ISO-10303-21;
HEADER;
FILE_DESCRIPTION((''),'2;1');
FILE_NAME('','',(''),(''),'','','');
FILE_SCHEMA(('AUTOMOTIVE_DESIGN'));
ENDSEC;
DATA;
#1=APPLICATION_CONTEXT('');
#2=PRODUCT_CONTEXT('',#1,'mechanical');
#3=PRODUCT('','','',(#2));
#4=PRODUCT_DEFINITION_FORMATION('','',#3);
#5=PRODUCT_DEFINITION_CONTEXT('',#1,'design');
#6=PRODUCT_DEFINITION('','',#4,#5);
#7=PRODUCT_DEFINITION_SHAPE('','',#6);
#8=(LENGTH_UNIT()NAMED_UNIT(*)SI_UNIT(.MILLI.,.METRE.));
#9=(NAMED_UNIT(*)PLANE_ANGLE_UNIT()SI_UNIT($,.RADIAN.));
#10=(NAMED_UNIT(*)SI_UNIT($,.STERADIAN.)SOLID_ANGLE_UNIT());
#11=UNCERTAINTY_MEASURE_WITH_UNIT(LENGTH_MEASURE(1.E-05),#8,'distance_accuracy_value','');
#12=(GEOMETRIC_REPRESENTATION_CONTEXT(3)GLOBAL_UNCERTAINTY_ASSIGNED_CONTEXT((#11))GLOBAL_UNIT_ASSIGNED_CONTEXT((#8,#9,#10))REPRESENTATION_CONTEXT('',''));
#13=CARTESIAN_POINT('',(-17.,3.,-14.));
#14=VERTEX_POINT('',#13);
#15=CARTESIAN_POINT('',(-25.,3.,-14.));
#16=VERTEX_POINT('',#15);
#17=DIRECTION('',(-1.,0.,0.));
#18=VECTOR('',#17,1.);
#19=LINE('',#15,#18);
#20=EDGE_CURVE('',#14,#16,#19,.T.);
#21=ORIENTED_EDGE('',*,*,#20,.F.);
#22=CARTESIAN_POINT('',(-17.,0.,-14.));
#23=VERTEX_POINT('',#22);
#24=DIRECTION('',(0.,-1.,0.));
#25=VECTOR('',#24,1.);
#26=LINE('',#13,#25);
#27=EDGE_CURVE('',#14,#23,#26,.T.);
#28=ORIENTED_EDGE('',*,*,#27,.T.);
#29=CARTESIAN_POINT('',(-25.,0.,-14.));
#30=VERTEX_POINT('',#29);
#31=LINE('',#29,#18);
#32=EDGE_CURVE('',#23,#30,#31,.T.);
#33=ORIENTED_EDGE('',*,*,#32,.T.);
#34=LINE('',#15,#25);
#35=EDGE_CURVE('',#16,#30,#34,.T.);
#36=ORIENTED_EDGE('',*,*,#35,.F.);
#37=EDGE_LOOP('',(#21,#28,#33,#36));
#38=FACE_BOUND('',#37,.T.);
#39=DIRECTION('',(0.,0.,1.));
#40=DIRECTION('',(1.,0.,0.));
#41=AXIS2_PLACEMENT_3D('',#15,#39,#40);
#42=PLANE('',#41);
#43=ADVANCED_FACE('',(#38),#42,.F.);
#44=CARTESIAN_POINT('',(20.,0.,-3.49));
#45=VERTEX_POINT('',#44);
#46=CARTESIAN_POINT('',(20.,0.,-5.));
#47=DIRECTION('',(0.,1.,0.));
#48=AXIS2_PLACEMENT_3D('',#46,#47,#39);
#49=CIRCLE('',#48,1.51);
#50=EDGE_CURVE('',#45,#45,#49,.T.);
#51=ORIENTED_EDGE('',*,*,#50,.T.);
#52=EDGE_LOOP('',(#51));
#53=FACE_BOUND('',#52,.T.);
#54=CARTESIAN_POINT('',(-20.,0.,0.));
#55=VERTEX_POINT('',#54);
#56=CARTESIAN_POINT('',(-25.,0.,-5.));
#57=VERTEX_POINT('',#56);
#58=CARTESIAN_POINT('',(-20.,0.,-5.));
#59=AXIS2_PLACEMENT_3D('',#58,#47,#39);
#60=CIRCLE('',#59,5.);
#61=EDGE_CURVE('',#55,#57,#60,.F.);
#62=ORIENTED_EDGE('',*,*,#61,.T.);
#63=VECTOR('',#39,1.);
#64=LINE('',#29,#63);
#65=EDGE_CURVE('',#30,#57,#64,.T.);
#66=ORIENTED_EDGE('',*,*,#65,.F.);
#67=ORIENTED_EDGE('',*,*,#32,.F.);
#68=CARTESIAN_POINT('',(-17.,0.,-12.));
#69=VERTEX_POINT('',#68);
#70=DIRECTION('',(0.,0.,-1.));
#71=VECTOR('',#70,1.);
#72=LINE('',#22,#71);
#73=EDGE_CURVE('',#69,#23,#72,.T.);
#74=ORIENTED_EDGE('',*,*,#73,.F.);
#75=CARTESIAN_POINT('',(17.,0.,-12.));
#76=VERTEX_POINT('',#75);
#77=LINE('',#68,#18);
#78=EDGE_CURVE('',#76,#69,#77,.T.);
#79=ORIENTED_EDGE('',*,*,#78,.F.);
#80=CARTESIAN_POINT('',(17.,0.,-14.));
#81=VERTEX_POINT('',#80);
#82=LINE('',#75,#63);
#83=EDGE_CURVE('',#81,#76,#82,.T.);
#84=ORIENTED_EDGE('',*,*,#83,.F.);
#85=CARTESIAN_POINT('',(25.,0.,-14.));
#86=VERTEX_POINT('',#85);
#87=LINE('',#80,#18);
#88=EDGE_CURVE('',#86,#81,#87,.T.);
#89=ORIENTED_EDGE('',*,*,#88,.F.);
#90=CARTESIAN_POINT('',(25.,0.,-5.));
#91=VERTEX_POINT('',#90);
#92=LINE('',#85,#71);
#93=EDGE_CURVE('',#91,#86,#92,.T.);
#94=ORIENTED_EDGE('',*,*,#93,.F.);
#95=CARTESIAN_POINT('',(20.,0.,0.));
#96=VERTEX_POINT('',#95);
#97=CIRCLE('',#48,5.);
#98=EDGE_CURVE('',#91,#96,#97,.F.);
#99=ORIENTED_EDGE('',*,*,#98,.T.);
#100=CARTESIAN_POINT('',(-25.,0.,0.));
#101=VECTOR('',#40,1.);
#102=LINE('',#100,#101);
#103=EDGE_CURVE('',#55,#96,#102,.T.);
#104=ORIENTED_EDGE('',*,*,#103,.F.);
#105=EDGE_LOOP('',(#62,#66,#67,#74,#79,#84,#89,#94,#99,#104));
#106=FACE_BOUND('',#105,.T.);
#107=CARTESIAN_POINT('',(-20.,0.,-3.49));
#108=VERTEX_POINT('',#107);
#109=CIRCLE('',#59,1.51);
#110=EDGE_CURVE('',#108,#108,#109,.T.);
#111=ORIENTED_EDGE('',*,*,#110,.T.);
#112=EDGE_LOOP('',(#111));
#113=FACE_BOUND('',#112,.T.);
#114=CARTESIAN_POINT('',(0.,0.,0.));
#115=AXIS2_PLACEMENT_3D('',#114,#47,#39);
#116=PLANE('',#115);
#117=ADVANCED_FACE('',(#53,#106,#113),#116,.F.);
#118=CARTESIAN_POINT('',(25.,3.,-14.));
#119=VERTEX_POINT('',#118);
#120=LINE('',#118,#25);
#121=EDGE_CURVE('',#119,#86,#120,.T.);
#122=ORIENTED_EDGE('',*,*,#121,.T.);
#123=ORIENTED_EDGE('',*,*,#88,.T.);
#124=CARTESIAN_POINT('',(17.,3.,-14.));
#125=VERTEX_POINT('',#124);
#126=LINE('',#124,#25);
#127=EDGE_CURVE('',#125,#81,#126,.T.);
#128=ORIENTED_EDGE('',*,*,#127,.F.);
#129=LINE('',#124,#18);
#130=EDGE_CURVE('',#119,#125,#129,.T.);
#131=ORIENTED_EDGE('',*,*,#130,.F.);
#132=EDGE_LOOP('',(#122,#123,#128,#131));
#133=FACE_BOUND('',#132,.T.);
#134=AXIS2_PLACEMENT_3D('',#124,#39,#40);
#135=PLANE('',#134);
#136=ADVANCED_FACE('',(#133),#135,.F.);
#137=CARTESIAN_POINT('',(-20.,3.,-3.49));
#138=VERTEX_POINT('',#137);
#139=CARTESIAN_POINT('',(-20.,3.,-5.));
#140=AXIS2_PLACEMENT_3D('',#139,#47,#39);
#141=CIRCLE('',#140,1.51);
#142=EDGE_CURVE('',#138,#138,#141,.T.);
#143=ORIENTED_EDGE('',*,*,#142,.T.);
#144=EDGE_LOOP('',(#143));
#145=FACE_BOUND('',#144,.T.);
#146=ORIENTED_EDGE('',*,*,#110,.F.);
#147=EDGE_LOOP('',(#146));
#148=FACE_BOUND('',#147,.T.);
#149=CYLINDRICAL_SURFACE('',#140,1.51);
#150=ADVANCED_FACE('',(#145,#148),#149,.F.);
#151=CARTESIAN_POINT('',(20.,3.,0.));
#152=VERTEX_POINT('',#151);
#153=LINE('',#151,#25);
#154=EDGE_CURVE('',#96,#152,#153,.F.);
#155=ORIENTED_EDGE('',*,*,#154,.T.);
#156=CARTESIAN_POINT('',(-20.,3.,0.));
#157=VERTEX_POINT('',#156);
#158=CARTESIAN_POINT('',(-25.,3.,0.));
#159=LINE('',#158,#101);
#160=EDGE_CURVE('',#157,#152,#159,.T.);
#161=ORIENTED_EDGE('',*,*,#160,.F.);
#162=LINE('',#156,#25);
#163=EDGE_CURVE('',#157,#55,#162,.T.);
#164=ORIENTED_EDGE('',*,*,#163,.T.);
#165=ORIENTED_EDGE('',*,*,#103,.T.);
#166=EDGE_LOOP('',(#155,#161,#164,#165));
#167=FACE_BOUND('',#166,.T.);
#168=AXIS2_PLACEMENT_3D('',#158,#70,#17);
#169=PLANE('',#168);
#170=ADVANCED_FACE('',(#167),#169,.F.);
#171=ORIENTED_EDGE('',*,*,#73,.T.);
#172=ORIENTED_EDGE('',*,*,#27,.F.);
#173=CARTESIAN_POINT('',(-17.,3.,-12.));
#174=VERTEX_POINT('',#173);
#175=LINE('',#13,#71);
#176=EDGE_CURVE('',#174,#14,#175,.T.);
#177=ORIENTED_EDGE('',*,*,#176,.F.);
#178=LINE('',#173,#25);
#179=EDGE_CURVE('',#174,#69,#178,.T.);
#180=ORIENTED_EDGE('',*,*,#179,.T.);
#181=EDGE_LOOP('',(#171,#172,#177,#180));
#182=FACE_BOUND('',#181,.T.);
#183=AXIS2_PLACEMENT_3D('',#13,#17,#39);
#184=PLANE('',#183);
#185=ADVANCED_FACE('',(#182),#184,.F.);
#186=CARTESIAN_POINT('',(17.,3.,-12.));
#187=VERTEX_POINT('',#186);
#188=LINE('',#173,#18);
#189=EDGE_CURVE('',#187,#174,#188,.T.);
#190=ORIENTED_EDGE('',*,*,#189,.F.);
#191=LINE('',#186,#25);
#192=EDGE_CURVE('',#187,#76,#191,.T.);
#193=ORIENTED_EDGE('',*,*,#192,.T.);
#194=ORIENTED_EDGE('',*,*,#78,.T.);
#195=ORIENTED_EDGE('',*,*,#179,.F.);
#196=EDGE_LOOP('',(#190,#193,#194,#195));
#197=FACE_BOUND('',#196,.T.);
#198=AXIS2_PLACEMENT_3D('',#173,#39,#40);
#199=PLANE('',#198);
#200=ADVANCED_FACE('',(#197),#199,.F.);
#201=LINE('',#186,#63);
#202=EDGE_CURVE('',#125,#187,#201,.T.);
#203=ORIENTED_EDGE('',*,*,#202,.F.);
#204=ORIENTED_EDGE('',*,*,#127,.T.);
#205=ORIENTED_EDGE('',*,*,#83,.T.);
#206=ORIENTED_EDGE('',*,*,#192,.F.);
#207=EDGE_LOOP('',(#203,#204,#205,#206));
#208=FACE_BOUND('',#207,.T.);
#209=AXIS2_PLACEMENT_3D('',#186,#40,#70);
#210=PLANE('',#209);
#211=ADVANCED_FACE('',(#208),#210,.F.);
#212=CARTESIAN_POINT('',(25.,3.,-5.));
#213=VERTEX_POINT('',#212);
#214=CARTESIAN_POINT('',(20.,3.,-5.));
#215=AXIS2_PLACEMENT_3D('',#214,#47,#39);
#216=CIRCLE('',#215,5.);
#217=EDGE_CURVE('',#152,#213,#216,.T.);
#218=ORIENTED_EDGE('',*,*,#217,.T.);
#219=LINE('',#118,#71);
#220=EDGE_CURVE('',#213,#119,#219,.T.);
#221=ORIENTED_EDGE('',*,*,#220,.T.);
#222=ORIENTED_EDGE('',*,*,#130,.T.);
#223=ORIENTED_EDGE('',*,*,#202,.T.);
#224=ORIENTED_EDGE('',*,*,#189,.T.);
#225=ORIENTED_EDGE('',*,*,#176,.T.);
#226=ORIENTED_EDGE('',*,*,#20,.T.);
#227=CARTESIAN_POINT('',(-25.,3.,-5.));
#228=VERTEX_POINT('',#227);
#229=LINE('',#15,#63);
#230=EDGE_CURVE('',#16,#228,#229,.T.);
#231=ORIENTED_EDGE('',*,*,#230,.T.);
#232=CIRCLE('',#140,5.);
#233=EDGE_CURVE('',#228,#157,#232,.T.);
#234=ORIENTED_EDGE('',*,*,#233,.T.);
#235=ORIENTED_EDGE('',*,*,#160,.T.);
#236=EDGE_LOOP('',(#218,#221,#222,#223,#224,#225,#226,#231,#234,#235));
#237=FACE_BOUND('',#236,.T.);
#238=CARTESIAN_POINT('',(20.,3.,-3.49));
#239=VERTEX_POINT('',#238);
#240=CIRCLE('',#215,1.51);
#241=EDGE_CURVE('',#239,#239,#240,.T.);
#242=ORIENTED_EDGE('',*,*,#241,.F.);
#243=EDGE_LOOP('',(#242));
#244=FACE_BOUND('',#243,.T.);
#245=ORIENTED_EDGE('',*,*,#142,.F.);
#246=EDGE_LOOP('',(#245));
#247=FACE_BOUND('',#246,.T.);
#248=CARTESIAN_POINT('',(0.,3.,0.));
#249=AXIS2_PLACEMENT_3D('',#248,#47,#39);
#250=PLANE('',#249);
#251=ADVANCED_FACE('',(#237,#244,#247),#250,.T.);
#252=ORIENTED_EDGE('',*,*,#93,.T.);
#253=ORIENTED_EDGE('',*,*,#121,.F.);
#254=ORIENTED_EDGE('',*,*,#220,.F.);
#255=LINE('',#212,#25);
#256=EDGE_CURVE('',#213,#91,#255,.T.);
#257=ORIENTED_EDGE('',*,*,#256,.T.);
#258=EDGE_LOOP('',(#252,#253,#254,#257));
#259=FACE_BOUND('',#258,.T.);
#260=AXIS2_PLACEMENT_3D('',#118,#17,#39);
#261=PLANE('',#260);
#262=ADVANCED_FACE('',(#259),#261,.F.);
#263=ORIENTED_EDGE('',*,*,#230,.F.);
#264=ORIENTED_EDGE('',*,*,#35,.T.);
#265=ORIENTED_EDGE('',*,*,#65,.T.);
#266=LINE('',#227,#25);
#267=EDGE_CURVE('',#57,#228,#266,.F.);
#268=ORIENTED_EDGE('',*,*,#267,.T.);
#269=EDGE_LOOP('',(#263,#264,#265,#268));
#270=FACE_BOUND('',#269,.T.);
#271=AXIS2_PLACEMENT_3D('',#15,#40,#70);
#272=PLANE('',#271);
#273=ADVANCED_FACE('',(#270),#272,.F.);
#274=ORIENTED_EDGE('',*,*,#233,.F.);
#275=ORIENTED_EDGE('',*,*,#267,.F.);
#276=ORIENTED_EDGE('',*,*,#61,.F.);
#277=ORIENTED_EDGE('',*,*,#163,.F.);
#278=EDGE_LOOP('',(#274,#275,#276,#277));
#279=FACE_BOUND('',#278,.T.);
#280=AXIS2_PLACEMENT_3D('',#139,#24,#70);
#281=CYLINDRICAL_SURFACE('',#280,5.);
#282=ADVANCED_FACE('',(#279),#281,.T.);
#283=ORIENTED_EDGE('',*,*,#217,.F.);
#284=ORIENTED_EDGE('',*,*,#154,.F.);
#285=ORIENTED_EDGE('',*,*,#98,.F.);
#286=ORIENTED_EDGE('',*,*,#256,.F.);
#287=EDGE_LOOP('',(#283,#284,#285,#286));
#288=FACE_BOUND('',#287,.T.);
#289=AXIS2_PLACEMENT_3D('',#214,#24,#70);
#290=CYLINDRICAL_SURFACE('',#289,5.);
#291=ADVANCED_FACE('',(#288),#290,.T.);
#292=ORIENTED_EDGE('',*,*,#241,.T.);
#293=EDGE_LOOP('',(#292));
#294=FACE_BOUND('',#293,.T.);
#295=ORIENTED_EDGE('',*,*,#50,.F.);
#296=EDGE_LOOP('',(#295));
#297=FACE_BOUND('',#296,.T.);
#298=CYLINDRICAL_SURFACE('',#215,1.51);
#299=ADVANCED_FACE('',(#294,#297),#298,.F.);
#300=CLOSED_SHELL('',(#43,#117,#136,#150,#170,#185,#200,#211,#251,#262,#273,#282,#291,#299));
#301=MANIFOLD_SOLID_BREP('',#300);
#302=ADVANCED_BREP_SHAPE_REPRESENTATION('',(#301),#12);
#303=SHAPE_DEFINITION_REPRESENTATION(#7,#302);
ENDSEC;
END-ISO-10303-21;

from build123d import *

# Parameters (mm, degrees)
BOSS_EXTRUDE1_DEPTH  = 3
M3_CLEARANCE_HOLE1_D = 3.02
FILLET1_R            = 5


with BuildPart() as part:
    # Sketch1 → Boss-Extrude1 (new body)
    with BuildSketch(Plane(origin=(0, 0, 0), x_dir=(1, 0, 0), z_dir=(0, 1, 0))):
        Polygon((-17, 12), (17, 12), (17, 14), (25, 14), (25, 0), (-25, 0), (-25, 14), (-17, 14), align=None)
    extrude(amount=BOSS_EXTRUDE1_DEPTH)

    # M3 Clearance Hole1 (through all)
    with Locations(Plane(origin=(0, 3, 0), x_dir=(1, 0, 0), z_dir=(0, 1, 0))):
        with Locations((20, 5), (-20, 5)):
            Hole(M3_CLEARANCE_HOLE1_D / 2)

    # Fillet1
    fillet1_edges = [part.edges().sort_by_distance(p)[0] for p in [
        (25, 1.5, 0),
        (-25, 1.5, 0),
    ]]
    fillet(fillet1_edges, radius=FILLET1_R)


solid = part.part
